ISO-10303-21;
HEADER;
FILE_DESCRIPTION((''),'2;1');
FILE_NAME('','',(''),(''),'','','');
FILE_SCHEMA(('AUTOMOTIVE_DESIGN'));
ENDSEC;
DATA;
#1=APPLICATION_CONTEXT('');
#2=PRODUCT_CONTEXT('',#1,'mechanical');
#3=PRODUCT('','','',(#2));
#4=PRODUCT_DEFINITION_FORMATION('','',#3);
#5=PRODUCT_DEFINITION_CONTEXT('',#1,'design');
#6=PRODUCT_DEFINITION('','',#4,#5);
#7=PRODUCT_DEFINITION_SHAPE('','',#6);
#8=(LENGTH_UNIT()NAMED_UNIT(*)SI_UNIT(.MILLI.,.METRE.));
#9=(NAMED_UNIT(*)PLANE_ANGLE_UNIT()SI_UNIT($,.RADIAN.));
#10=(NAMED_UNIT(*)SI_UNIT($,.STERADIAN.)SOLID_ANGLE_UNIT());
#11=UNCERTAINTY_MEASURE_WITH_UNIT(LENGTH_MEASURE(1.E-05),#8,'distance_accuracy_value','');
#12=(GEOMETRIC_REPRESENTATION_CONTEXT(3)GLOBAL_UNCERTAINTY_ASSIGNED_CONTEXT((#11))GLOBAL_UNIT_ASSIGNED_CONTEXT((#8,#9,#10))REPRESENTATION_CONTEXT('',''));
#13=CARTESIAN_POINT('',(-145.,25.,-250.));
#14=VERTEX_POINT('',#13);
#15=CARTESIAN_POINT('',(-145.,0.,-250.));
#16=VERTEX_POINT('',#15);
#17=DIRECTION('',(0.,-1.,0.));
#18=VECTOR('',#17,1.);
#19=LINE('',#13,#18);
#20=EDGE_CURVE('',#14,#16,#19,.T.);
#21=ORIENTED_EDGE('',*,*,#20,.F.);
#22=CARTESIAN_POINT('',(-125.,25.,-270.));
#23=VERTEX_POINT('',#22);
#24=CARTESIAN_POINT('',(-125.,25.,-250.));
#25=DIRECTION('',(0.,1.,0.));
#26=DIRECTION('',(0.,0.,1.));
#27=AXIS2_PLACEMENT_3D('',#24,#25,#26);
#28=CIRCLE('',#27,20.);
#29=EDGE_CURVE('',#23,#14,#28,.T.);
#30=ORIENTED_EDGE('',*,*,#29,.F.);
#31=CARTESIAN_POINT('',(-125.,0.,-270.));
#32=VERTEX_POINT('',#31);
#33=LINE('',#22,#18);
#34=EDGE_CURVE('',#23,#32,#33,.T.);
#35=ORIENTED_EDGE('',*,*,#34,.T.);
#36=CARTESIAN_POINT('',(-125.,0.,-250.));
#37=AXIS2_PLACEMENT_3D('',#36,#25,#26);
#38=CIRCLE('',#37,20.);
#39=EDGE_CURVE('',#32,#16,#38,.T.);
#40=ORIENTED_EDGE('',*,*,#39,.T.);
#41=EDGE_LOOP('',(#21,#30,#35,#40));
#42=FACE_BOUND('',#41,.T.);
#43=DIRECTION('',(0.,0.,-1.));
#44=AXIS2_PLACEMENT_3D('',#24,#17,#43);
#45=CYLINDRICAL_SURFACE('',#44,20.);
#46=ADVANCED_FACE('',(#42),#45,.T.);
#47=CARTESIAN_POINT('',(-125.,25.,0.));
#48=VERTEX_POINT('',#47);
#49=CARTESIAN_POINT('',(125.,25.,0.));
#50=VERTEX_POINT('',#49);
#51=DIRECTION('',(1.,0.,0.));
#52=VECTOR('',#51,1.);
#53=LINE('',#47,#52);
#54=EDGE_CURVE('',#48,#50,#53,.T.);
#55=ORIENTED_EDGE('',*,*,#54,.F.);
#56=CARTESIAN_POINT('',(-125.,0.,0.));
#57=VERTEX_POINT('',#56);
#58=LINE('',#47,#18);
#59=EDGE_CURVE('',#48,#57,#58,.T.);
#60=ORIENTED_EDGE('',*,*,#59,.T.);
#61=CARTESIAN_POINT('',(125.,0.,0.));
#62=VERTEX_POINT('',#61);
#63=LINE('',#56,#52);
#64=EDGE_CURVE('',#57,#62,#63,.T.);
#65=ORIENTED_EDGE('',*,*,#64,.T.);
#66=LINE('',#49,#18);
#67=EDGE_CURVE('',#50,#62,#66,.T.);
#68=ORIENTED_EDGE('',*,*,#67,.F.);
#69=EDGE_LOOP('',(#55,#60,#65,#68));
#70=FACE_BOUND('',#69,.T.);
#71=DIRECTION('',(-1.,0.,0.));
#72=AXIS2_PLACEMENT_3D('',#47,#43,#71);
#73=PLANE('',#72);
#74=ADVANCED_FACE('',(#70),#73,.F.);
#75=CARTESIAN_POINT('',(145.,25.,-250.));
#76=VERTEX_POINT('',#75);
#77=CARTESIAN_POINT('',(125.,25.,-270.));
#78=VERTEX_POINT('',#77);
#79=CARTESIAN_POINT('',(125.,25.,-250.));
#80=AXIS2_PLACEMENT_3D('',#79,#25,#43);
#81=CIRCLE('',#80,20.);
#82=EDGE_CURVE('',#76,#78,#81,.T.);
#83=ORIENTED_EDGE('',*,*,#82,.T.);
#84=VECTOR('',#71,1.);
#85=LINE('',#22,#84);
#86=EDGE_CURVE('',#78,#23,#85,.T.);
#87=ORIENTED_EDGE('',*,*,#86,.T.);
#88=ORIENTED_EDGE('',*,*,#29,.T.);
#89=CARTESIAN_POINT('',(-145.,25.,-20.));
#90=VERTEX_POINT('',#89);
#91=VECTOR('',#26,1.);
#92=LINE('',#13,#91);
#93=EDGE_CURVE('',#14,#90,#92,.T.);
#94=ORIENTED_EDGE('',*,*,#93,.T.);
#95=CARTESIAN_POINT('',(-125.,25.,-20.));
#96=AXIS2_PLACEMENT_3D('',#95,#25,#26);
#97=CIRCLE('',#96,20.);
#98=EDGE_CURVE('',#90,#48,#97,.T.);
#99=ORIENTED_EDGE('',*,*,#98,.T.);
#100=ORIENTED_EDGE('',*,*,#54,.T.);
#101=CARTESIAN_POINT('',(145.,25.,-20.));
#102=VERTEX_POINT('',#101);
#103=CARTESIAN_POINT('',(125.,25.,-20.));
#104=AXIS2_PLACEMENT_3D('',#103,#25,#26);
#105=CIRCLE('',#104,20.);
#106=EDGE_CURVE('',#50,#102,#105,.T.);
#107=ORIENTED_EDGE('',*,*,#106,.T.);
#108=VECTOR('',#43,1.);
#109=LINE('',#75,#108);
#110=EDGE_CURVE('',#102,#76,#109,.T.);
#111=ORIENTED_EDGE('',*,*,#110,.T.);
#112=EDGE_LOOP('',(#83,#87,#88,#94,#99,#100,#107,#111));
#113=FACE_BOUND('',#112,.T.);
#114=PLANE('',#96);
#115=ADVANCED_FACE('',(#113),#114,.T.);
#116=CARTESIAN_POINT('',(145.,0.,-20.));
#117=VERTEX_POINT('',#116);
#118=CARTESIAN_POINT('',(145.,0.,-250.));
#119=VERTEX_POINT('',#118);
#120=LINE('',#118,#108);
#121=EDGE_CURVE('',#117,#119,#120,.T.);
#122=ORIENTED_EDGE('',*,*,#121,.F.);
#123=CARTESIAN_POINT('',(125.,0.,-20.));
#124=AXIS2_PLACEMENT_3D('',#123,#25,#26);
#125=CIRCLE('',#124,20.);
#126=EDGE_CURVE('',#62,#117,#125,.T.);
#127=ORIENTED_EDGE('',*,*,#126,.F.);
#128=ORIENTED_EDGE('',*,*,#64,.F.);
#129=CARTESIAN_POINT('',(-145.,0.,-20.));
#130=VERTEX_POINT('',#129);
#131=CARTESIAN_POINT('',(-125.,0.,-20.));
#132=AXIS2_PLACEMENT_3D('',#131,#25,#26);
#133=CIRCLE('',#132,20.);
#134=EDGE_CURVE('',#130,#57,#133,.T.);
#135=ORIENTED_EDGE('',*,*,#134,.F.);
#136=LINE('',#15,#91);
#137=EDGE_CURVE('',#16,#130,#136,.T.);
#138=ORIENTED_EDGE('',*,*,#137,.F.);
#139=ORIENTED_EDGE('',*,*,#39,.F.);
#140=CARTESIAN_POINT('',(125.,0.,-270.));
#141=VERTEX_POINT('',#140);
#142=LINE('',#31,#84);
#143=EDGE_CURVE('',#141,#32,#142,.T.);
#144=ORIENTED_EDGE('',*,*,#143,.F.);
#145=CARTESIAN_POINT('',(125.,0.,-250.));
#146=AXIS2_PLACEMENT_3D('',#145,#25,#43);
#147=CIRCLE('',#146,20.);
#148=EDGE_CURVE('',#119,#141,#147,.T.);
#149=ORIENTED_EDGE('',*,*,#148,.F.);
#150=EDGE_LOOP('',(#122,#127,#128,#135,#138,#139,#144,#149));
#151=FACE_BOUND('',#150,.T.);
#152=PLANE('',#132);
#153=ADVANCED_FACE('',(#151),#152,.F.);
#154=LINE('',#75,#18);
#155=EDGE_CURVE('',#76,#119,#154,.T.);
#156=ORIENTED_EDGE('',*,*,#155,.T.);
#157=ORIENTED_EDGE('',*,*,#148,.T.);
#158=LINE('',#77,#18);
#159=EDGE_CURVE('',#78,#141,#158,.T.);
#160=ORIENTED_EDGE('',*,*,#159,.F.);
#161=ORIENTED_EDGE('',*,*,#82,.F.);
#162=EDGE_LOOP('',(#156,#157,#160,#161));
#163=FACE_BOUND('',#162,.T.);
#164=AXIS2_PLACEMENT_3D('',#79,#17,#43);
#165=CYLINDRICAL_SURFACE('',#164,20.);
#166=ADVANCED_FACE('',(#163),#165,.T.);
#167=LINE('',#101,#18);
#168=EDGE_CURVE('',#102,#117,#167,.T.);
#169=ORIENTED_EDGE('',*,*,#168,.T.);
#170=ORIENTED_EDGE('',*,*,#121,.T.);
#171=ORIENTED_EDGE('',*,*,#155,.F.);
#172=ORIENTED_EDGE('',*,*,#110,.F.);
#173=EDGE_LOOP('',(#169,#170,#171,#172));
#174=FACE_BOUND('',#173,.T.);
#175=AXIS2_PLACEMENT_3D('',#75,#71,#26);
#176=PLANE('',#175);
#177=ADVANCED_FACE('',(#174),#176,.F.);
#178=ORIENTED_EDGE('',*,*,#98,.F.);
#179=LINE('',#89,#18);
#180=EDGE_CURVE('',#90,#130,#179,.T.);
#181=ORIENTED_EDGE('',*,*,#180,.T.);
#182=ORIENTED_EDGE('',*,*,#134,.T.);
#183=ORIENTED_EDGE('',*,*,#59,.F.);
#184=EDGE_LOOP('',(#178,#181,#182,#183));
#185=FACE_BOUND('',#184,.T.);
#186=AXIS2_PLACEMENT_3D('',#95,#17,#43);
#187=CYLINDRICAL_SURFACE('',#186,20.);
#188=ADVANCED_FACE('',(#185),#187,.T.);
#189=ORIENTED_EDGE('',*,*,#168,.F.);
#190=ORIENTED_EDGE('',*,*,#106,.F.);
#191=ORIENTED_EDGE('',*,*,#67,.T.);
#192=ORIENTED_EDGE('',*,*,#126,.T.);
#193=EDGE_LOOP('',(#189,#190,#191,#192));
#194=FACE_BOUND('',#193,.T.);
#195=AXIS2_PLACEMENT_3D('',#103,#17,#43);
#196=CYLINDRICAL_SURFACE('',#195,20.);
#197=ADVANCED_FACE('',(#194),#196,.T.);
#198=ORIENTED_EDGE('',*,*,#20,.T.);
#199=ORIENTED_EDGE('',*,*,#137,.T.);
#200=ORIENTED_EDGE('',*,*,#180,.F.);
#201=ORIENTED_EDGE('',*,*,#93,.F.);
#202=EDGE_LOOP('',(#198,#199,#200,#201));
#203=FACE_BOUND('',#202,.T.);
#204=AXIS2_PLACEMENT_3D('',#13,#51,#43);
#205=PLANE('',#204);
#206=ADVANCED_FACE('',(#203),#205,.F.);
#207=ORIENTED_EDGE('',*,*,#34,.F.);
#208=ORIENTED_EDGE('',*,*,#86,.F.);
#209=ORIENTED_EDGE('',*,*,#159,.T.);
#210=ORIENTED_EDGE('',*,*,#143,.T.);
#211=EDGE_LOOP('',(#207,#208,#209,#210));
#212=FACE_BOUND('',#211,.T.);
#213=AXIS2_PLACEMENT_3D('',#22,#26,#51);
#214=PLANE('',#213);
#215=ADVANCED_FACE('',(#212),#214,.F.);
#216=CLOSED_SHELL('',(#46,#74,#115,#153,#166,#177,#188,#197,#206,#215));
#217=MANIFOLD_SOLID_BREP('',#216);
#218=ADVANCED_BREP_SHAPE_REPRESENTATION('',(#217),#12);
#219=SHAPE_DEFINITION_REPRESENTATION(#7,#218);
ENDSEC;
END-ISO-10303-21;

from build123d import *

# Parameters (mm, degrees)
BOSS_EXTRUDE1_DEPTH = 25


with BuildPart() as part:
    # Sketch1 → Boss-Extrude1 (new body)
    with BuildSketch(Plane(origin=(0, 0, 0), x_dir=(1, 0, 0), z_dir=(0, 1, 0))):
        with BuildLine():
            Line((-125, 270), (125, 270))
            ThreePointArc((125, 270), (139.142135624, 264.142135624), (145, 250))
            Line((145, 250), (145, 20))
            ThreePointArc((145, 20), (139.142135624, 5.857864376), (125, 0))
            Line((125, 0), (-125, 0))
            ThreePointArc((-125, 0), (-139.142135624, 5.857864376), (-145, 20))
            Line((-145, 20), (-145, 250))
            ThreePointArc((-145, 250), (-139.142135624, 264.142135624), (-125, 270))
        make_face()
    extrude(amount=BOSS_EXTRUDE1_DEPTH)


solid = part.part
